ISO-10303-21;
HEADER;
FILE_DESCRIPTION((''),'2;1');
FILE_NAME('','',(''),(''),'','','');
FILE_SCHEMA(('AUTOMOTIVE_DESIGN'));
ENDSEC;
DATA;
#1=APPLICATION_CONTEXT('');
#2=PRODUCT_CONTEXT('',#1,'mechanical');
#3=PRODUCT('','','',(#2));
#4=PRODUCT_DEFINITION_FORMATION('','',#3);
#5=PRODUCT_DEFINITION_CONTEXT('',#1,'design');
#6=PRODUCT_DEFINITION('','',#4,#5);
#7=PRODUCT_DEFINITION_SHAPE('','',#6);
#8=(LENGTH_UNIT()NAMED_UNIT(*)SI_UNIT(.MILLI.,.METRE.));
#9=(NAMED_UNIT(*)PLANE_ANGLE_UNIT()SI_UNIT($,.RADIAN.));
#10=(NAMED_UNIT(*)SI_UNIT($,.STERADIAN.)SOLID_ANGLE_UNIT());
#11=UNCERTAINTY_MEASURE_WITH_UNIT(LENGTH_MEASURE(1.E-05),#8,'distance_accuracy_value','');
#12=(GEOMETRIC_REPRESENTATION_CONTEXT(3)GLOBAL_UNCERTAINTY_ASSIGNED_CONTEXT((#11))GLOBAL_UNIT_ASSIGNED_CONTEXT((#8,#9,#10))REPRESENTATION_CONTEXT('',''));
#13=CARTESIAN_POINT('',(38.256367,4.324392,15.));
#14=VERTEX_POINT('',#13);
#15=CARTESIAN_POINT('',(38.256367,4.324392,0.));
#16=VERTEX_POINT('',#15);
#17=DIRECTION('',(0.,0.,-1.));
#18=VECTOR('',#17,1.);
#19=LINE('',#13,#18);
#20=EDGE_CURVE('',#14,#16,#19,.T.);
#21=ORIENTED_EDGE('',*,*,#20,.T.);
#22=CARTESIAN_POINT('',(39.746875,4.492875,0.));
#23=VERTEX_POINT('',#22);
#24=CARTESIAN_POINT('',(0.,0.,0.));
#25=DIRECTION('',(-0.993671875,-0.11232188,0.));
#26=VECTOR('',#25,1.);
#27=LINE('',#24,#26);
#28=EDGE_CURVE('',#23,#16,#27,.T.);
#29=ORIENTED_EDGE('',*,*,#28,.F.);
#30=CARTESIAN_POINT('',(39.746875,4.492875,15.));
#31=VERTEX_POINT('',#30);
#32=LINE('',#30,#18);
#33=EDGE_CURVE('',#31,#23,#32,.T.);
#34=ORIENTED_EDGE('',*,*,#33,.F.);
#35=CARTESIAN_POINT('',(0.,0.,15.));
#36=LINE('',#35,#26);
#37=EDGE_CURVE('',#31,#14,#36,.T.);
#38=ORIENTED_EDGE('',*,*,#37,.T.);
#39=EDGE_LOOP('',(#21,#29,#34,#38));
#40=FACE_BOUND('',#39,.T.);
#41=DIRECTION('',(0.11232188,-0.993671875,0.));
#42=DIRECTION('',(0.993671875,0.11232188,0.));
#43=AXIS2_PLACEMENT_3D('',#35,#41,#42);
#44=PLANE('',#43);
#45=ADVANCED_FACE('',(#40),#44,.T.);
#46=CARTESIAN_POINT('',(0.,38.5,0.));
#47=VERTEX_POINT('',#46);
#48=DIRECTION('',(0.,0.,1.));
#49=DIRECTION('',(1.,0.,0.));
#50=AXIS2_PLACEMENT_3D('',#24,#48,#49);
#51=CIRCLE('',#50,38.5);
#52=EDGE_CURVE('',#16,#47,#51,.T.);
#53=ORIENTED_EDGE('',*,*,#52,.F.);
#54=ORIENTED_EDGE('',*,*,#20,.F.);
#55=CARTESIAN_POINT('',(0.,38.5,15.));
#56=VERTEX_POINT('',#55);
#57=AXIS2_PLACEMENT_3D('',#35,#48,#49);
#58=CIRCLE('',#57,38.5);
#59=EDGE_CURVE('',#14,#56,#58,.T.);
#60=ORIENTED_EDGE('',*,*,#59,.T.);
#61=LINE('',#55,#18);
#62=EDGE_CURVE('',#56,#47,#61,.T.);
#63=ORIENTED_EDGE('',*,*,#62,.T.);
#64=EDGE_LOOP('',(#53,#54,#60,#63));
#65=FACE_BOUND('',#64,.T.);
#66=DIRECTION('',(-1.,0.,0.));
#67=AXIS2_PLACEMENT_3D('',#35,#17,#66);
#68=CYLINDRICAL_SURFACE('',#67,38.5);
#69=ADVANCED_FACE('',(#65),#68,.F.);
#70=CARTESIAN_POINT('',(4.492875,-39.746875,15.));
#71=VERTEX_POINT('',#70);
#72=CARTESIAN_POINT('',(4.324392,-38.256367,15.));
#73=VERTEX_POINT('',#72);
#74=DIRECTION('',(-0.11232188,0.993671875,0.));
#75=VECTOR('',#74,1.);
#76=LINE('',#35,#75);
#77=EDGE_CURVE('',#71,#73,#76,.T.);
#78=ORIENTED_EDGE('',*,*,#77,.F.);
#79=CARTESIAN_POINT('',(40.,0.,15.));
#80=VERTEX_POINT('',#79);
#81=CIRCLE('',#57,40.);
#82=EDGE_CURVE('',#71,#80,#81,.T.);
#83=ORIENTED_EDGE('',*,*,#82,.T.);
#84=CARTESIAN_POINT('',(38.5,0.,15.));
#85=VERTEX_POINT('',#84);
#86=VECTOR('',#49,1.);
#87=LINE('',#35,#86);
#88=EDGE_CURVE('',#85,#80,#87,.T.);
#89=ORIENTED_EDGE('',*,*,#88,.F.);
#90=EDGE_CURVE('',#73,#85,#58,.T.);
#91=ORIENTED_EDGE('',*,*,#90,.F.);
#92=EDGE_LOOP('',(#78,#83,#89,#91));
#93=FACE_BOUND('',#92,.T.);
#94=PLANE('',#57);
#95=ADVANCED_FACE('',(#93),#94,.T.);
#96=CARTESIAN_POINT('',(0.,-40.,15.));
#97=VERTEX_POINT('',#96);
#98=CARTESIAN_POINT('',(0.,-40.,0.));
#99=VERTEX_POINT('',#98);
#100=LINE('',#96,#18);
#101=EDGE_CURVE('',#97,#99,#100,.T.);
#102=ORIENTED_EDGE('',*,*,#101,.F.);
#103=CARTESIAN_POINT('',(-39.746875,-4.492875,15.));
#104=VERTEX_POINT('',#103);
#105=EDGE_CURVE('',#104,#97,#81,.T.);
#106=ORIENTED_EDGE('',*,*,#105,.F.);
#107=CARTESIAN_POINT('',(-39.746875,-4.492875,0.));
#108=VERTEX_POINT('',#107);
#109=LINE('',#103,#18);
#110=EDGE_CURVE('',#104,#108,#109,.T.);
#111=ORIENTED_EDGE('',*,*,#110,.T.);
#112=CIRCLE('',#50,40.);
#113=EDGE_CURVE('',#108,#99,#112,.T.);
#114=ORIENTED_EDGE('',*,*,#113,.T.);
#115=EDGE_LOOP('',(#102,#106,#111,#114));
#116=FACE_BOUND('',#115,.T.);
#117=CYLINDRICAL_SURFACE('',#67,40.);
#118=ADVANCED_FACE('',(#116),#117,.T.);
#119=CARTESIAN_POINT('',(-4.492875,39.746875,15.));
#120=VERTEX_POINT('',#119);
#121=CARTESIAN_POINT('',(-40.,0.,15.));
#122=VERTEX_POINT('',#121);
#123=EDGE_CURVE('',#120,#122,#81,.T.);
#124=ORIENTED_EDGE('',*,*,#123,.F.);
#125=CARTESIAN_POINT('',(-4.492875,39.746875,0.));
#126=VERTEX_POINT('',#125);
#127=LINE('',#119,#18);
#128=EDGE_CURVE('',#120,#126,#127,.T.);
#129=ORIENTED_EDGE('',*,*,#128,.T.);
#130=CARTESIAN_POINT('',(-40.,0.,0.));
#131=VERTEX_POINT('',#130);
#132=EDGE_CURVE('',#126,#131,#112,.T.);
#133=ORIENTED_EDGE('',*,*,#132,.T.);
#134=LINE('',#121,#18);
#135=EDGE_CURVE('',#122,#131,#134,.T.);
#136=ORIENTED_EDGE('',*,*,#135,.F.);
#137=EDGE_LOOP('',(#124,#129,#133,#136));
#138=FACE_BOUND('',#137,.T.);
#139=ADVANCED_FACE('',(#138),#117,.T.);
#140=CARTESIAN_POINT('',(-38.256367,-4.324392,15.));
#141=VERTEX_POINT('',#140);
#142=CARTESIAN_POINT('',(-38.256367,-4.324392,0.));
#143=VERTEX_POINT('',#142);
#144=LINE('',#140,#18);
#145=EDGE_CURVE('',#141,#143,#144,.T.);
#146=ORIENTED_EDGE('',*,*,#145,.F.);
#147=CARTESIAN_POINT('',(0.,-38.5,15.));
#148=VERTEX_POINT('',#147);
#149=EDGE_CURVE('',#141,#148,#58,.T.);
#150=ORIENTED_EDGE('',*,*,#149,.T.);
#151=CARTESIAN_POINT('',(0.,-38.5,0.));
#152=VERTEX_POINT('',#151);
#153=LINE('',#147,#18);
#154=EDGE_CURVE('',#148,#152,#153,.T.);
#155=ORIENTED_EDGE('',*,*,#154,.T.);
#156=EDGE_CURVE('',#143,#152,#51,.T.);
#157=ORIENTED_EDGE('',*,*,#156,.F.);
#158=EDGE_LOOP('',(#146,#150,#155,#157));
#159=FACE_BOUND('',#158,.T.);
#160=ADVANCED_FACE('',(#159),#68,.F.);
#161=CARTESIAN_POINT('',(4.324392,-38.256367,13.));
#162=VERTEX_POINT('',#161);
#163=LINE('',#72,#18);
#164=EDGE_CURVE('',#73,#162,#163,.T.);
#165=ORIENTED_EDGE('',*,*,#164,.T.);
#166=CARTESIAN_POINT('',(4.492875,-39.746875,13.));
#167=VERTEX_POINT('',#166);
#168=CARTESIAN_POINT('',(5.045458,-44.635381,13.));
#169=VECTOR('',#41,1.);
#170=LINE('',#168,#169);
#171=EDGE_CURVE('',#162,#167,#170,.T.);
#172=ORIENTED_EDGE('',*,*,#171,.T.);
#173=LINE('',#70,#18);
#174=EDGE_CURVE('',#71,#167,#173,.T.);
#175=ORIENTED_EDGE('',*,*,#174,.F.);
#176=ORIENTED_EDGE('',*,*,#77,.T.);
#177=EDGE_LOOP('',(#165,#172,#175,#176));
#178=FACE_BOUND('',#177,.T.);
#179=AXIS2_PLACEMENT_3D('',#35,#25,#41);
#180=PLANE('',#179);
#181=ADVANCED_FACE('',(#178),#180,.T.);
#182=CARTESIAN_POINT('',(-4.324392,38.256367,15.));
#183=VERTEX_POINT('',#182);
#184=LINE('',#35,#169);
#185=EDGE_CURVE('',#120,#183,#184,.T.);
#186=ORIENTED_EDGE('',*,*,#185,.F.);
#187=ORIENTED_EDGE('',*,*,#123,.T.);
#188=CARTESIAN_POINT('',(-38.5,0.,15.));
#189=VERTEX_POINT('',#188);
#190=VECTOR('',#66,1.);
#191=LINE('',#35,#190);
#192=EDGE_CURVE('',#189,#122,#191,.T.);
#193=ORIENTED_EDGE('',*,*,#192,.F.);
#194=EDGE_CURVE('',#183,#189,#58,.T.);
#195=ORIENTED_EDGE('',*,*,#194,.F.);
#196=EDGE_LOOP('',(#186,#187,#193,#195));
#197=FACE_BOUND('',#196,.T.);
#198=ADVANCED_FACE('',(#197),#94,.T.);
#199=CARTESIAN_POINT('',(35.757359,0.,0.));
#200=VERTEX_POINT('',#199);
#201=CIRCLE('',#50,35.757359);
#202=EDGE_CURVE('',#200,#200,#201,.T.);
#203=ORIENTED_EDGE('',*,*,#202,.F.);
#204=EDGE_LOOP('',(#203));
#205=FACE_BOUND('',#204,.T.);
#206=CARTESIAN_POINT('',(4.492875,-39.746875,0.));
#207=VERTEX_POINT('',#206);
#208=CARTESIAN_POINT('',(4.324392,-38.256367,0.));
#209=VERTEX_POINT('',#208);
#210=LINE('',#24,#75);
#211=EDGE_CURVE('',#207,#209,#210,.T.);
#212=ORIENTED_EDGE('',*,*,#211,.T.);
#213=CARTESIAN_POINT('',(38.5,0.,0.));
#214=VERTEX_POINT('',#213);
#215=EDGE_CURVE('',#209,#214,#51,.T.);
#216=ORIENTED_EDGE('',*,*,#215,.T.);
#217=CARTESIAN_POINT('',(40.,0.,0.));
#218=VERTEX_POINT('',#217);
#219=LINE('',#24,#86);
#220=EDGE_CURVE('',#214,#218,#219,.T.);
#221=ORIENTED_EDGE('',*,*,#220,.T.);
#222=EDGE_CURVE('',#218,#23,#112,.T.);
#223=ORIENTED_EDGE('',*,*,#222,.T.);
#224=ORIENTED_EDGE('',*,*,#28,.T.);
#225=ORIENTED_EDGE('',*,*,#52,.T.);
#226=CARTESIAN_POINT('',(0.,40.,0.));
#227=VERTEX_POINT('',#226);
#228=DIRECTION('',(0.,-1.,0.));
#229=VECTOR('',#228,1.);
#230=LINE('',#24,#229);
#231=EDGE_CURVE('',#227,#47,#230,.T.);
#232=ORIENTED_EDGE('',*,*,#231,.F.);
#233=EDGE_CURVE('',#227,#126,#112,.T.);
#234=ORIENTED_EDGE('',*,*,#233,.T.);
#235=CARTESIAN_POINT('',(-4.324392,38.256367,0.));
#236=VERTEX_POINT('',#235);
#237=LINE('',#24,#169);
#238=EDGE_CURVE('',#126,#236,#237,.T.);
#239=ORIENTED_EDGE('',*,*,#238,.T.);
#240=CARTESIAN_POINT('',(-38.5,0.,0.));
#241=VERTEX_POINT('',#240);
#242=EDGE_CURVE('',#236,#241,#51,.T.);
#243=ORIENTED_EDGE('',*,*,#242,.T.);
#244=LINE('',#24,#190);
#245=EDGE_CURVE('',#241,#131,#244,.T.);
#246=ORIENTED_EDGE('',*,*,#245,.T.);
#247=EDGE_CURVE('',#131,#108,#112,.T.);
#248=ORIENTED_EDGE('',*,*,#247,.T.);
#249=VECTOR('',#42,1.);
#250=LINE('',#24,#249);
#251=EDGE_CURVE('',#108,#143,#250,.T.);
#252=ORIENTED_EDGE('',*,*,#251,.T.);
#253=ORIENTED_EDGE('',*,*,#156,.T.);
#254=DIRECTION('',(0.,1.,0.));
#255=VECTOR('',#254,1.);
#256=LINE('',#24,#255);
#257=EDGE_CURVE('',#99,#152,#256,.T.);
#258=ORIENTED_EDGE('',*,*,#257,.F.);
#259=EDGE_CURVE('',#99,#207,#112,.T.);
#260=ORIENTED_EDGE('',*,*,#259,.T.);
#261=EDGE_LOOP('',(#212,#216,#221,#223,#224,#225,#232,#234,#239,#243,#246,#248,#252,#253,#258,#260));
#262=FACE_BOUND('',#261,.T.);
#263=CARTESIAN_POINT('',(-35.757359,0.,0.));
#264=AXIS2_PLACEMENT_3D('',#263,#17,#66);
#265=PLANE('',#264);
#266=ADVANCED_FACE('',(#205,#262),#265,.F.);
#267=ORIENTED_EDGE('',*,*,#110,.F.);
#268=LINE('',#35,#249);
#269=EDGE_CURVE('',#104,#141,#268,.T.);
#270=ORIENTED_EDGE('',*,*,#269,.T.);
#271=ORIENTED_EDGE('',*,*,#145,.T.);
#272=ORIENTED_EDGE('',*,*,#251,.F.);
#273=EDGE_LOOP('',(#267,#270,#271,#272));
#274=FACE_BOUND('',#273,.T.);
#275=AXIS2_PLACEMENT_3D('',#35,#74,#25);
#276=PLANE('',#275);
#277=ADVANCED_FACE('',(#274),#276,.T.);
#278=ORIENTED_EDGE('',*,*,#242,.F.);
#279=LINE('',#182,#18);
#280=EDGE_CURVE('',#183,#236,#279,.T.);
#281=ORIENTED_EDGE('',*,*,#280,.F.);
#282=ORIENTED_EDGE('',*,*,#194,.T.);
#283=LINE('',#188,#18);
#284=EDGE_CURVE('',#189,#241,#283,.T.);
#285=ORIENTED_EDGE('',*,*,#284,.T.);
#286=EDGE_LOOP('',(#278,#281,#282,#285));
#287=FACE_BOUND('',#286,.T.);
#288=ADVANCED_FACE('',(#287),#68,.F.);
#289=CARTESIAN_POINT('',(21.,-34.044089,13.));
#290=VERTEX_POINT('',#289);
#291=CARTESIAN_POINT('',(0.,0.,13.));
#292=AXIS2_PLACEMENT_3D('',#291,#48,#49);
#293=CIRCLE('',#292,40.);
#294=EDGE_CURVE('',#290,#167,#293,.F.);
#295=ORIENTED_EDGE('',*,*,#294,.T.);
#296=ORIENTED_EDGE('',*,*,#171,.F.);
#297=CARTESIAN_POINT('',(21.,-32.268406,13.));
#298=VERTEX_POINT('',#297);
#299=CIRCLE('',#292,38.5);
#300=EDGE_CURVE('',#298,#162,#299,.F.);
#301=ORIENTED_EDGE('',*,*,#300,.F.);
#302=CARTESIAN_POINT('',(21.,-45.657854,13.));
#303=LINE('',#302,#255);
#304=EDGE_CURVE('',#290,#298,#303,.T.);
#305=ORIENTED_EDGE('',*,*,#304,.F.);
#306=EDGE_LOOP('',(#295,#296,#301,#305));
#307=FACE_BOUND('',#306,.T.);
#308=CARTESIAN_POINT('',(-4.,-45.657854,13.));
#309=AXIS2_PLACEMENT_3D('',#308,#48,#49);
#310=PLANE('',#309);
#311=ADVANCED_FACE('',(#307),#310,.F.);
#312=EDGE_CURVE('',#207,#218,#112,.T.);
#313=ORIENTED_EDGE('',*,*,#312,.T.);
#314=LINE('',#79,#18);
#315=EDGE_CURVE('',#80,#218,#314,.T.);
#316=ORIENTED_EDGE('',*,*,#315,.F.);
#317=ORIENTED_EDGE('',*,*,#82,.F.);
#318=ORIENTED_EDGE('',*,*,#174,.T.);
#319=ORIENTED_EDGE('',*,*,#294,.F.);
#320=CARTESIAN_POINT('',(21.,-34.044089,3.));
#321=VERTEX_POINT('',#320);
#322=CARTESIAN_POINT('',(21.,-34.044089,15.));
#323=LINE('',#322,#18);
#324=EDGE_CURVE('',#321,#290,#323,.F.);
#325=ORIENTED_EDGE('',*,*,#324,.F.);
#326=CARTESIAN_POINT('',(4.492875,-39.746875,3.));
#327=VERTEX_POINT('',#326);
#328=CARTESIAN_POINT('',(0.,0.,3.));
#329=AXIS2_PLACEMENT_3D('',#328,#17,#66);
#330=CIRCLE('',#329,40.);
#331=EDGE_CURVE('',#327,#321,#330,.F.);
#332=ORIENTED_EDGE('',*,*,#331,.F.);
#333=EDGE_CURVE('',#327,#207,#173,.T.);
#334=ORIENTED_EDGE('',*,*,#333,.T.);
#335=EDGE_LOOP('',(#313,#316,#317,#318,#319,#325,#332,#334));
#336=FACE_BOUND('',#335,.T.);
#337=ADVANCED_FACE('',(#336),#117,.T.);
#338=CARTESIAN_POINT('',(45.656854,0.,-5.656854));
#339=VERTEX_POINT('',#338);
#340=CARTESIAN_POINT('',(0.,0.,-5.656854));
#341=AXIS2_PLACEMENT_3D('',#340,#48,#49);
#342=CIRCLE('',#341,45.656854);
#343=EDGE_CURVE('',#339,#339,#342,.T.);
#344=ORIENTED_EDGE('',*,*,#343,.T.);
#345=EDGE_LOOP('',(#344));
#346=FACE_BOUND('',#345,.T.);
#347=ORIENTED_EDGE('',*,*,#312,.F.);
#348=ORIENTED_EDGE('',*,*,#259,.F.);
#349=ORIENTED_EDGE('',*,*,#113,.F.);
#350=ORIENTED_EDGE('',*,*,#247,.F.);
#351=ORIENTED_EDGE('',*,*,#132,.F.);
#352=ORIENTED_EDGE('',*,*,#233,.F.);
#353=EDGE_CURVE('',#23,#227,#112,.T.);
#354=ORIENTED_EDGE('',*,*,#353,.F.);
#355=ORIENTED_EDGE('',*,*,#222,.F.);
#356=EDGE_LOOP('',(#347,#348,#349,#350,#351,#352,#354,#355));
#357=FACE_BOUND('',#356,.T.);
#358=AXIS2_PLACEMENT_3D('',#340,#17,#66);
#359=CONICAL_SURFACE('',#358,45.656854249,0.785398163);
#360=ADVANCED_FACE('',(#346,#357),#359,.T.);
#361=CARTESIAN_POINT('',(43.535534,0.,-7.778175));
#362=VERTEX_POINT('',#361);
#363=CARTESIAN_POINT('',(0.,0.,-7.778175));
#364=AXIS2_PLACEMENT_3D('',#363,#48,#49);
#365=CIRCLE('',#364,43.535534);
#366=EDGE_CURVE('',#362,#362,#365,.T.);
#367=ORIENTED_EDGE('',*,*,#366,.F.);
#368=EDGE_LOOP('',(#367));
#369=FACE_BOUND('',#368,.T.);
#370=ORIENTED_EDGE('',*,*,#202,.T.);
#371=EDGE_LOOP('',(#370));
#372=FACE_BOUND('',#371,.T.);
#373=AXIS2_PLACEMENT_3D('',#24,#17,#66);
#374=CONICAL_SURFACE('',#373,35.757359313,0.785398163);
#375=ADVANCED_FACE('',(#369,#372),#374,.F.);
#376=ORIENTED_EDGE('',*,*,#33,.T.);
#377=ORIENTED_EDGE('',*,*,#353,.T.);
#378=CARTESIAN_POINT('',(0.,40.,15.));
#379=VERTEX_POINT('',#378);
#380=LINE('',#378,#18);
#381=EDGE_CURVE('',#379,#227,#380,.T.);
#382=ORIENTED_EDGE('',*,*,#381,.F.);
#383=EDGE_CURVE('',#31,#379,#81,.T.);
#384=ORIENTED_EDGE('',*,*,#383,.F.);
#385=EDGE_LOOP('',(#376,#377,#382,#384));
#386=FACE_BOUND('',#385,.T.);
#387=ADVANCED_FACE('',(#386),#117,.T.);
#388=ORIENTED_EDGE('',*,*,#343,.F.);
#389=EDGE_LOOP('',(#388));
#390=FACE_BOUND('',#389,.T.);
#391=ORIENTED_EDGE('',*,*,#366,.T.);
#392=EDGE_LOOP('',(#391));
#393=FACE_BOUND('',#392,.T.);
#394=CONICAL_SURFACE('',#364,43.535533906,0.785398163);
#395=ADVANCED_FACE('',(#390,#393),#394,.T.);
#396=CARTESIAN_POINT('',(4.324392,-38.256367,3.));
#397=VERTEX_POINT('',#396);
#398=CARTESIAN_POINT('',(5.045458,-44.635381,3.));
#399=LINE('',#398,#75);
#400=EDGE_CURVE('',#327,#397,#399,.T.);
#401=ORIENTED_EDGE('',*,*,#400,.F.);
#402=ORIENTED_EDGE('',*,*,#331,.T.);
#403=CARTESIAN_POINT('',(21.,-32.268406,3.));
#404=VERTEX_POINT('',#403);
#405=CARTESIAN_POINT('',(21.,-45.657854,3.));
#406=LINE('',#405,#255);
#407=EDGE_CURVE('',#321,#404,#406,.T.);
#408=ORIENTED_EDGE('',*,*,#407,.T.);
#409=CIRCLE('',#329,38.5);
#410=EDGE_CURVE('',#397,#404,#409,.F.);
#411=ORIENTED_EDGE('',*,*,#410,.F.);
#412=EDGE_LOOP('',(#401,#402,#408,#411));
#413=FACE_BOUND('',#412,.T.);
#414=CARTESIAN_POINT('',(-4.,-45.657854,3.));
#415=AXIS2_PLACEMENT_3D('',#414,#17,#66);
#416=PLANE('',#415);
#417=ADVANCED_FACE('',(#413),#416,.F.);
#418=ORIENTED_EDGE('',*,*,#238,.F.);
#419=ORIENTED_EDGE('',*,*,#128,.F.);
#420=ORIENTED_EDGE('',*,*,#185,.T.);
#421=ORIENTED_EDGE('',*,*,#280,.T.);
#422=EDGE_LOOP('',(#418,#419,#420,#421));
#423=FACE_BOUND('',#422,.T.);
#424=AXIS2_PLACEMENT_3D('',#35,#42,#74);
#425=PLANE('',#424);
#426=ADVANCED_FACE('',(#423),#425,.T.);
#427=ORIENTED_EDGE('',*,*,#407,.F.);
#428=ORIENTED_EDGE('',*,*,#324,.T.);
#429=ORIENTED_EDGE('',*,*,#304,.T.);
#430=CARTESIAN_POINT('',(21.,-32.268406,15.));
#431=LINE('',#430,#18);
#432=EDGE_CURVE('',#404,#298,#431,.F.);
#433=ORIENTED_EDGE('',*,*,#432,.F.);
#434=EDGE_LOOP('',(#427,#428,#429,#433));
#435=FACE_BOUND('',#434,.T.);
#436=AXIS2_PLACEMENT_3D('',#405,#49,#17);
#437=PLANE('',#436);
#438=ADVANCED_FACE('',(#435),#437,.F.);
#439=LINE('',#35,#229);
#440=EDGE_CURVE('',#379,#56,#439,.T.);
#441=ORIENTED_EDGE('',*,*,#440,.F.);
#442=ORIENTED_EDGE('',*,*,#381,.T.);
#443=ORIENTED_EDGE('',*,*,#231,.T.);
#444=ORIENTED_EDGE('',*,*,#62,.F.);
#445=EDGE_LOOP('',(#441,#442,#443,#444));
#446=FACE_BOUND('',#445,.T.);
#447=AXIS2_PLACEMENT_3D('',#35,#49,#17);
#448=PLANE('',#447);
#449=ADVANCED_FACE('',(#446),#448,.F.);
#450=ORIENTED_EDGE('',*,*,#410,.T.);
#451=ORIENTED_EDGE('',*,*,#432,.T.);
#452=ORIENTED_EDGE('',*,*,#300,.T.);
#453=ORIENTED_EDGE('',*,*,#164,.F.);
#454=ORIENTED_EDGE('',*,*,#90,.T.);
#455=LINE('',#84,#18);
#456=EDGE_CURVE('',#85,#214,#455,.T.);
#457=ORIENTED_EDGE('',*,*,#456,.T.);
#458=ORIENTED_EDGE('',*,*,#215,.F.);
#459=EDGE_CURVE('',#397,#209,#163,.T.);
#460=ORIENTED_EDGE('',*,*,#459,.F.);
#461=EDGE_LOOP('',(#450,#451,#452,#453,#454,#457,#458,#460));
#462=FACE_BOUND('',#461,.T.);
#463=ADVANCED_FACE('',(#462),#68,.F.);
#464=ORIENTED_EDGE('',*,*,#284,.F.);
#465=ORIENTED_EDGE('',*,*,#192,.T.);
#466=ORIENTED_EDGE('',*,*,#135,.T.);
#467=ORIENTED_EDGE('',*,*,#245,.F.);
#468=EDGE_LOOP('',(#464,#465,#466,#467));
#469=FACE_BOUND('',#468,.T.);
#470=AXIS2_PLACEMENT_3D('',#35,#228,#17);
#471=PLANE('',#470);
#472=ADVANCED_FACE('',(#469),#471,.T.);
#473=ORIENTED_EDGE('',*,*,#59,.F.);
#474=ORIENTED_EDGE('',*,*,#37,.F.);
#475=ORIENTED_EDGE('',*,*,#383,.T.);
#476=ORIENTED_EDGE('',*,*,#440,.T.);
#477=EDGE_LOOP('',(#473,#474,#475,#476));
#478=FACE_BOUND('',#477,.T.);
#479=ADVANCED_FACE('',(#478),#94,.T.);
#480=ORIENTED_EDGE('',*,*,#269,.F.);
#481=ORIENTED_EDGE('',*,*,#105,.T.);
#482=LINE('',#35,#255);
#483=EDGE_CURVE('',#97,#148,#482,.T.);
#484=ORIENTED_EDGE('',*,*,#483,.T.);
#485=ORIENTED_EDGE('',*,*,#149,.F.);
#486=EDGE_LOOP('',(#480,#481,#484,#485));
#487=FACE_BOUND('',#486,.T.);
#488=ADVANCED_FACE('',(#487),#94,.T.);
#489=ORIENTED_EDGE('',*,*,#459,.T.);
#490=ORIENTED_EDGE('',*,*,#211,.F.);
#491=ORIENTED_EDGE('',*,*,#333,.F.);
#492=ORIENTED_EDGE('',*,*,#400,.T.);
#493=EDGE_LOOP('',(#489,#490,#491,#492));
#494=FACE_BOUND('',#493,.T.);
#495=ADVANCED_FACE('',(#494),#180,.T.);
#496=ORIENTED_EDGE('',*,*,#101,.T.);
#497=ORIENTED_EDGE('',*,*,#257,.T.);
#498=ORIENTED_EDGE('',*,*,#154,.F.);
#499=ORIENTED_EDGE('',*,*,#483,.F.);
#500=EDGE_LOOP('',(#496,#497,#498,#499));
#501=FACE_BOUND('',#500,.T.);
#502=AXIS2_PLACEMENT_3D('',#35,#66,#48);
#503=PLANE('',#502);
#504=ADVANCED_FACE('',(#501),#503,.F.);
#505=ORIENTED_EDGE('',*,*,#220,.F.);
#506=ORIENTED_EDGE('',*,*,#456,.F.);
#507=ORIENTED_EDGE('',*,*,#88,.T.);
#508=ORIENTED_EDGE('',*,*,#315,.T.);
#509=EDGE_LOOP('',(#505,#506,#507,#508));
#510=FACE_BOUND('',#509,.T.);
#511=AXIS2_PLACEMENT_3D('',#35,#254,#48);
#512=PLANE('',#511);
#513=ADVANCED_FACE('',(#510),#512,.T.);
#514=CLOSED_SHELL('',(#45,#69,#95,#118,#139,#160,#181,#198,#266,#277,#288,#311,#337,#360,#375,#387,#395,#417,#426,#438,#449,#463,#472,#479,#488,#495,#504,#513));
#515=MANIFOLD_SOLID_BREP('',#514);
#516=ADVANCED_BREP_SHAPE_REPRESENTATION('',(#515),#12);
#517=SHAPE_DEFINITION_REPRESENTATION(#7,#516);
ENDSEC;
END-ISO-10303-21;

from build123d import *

# Parameters (mm, degrees)
SALIENTE_EXTRUIR1_DEPTH   = 15
SALIENTE_EXTRUIR1_2_DEPTH = 15
SALIENTE_EXTRUIR1_3_DEPTH = 15
SALIENTE_EXTRUIR1_4_DEPTH = 15
CORTAR_EXTRUIR1_REACH     = 68.288
CROQUIS3_W                = 25
CROQUIS3_H                = 10


with BuildPart() as part:
    # Croquis1 → Saliente-Extruir1 (new body)
    with BuildSketch(Plane.XY):
        with BuildLine():
            Line((-4.324392398, 38.256367187), (-4.492875219, 39.746875))
            ThreePointArc((-4.492875219, 39.746875), (-29.830479453, 26.648498937), (-40, 0))
            Line((-40, 0), (-38.5, 0))
            ThreePointArc((-38.5, 0), (-28.711836473, 25.649180227), (-4.324392398, 38.256367187))
        make_face()
    extrude(amount=SALIENTE_EXTRUIR1_DEPTH)



with BuildPart() as body_2:
    # Croquis1 → Saliente-Extruir1 2 (new body)
    with BuildSketch(Plane.XY):
        with BuildLine():
            Line((-38.256367187, -4.324392398), (-39.746875, -4.492875219))
            ThreePointArc((-39.746875, -4.492875219), (-26.648498937, -29.830479453), (0, -40))
            Line((0, -40), (0, -38.5))
            ThreePointArc((0, -38.5), (-25.649180227, -28.711836473), (-38.256367187, -4.324392398))
        make_face()
    extrude(amount=SALIENTE_EXTRUIR1_2_DEPTH)


with BuildPart() as body_3:
    # Croquis1 → Saliente-Extruir1 3 (new body)
    with BuildSketch(Plane.XY):
        with BuildLine():
            ThreePointArc((39.746875, 4.492875219), (26.648498937, 29.830479453), (0, 40))
            Line((0, 40), (0, 38.5))
            ThreePointArc((0, 38.5), (25.649180227, 28.711836473), (38.256367187, 4.324392398))
            Line((38.256367188, 4.324392398), (39.746875, 4.492875219))
        make_face()
    extrude(amount=SALIENTE_EXTRUIR1_3_DEPTH)


with BuildPart() as body_4:
    # Croquis1 → Saliente-Extruir1 4 (new body)
    with BuildSketch(Plane.XY):
        with BuildLine():
            ThreePointArc((4.492875219, -39.746875), (29.830479453, -26.648498937), (40, 0))
            Line((40, 0), (38.5, 0))
            ThreePointArc((38.5, 0), (28.711836473, -25.649180227), (4.324392398, -38.256367188))
            Line((4.324392398, -38.256367188), (4.492875219, -39.746875))
        make_face()
    extrude(amount=SALIENTE_EXTRUIR1_4_DEPTH)


with BuildPart() as part_1:
    add(part.part)

    add(body_2.part)  # Revolución1 merges body 2

    add(body_3.part)  # Revolución1 merges body 3

    add(body_4.part)  # Revolución1 merges body 4
    # Croquis2 → Revolución1 (revolve)
    with BuildSketch(Plane(origin=(0, 0, 0), x_dir=(1, 0, 0), z_dir=(0, 1, 0)), mode=Mode.PRIVATE) as revoluci_n1_sk:
        Polygon((-40, 0), (-45.656854249, 5.656854249), (-43.535533906, 7.778174593), (-35.757359313, 0), align=None)
    revolve(revoluci_n1_sk.sketch.rotate(Axis((0, 0, 0), (0, 0, -1)), 180), axis=Axis((0, 0, 0), (0, 0, -1)))

    # Croquis3 → Cortar-Extruir1 (cut, up to next)
    with BuildSketch(Plane(origin=(0, 0, 0), x_dir=(1, 0, 0), z_dir=(0, 1, 0)), mode=Mode.PRIVATE) as cortar_extruir1_sk1:
        with Locations((8.5, -8)):
            Rectangle(CROQUIS3_W, CROQUIS3_H)
    cortar_extruir1_tool1 = extrude(cortar_extruir1_sk1.sketch, amount=-CORTAR_EXTRUIR1_REACH, mode=Mode.PRIVATE) & part_1.part
    add(cortar_extruir1_tool1.solids().sort_by_distance((8.5, 0, 8))[0], mode=Mode.SUBTRACT)


solid = part_1.part
